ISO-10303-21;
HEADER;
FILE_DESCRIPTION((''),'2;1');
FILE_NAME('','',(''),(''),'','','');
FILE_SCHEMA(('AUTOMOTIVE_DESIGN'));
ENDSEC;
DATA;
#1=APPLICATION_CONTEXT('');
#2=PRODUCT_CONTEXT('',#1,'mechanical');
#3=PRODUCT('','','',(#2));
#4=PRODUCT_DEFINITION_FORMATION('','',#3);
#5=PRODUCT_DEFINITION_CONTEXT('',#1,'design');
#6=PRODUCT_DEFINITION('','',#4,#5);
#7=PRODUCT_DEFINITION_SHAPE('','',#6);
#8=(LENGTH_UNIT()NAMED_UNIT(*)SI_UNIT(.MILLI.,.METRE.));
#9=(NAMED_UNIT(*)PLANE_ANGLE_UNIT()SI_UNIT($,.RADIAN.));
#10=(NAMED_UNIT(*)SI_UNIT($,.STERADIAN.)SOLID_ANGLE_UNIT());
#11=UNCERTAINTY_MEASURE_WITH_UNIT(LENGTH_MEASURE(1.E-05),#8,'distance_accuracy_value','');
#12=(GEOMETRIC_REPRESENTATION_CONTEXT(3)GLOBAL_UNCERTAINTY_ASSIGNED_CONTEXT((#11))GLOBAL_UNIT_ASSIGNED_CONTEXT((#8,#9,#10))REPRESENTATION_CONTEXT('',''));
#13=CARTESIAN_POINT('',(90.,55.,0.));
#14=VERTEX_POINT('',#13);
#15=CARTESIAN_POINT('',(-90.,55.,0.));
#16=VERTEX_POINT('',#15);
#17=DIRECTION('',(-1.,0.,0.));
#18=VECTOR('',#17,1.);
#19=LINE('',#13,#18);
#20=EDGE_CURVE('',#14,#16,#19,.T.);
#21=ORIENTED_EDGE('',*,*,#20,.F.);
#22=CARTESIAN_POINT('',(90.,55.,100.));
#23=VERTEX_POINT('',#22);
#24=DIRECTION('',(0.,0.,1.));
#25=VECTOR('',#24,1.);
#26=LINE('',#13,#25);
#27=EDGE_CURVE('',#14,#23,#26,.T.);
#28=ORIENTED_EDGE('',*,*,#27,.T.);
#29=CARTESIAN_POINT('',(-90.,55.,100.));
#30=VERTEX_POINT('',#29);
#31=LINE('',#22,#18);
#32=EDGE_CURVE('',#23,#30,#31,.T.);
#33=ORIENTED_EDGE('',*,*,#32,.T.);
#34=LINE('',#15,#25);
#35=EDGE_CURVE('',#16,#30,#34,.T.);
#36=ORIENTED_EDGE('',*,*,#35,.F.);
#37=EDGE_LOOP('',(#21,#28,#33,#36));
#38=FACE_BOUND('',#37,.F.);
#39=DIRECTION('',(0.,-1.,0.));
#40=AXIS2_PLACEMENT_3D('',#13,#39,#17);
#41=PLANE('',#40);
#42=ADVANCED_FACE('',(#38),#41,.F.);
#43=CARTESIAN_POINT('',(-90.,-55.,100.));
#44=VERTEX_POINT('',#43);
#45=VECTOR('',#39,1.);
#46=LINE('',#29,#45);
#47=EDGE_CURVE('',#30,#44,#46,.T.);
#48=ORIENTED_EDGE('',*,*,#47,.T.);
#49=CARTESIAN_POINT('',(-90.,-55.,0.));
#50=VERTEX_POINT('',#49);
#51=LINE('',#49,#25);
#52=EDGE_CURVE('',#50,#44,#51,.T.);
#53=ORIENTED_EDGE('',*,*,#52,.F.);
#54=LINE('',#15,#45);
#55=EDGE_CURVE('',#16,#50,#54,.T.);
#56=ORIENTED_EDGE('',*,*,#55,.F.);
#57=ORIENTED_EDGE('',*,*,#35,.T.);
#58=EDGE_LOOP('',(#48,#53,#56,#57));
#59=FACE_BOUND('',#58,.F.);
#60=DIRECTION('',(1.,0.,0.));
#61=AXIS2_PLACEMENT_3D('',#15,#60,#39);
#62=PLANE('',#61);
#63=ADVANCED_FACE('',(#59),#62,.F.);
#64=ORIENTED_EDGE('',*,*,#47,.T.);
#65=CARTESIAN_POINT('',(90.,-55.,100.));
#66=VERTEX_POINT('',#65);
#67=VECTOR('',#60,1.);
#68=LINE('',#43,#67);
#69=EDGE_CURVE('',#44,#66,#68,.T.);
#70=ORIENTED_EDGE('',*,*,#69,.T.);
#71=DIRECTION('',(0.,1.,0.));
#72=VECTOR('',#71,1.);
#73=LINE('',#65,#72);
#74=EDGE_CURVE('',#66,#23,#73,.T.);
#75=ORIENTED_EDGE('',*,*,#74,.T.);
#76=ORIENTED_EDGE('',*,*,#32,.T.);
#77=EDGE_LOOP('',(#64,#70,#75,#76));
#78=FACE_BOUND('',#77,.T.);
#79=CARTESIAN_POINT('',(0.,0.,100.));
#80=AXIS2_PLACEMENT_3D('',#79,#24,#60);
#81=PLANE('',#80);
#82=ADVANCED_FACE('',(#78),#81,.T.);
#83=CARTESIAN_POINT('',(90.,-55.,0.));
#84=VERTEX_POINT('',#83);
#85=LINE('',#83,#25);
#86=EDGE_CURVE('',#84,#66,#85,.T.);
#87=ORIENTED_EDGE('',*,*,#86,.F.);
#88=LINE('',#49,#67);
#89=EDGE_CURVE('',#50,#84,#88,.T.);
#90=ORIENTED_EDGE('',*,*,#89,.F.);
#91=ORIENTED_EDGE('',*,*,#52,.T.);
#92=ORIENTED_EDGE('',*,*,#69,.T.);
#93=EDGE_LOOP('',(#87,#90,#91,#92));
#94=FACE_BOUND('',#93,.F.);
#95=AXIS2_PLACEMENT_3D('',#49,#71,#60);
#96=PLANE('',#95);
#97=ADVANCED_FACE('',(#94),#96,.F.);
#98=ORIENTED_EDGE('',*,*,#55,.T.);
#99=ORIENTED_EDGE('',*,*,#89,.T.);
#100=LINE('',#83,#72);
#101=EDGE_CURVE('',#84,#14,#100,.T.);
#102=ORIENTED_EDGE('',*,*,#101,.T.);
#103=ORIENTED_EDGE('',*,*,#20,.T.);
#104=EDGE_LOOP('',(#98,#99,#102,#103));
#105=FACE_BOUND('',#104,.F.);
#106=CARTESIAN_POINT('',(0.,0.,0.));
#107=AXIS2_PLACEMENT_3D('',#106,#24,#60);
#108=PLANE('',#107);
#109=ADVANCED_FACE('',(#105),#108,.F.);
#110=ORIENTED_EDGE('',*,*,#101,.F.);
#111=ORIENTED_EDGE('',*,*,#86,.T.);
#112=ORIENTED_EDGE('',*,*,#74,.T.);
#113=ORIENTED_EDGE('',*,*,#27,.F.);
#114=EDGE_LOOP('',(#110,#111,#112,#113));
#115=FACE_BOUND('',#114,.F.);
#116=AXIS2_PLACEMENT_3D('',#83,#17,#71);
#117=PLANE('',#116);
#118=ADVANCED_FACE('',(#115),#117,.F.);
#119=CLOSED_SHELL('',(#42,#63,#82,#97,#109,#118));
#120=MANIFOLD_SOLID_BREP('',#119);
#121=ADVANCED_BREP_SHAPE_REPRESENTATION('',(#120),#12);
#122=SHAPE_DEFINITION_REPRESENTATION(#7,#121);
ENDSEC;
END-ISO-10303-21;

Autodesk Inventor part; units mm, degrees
ref_plane "YZ Plane" through (0, 0, 0) normal (1, 0, 0) x (0, 1, 0)
ref_plane "XZ Plane" through (0, 0, 0) normal (0, 1, 0) x (-1, 0, 0)
ref_plane "XY Plane" through (0, 0, 0) normal (0, 0, 1) x (1, 0, 0)
sketch "Sketch1" plane through (0, 0, 0) normal (0, 0, 1) x (1, 0, 0)
  line L0 (-90, -55) -> (90, -55)
  line L1 (90, -55) -> (90, 55)
  line L2 (90, 55) -> (-90, 55)
  line L3 (-90, 55) -> (-90, -55)
  line L4 (-90, -55) -> (90, 55) construction
  line L5 (90, -55) -> (-90, 55) construction
  point P0 (0, 0)
  dimension "d0" = 110
  dimension "d1" = 180
extrude "Extrusion1" add sketch "Sketch1" along normal blind 100
